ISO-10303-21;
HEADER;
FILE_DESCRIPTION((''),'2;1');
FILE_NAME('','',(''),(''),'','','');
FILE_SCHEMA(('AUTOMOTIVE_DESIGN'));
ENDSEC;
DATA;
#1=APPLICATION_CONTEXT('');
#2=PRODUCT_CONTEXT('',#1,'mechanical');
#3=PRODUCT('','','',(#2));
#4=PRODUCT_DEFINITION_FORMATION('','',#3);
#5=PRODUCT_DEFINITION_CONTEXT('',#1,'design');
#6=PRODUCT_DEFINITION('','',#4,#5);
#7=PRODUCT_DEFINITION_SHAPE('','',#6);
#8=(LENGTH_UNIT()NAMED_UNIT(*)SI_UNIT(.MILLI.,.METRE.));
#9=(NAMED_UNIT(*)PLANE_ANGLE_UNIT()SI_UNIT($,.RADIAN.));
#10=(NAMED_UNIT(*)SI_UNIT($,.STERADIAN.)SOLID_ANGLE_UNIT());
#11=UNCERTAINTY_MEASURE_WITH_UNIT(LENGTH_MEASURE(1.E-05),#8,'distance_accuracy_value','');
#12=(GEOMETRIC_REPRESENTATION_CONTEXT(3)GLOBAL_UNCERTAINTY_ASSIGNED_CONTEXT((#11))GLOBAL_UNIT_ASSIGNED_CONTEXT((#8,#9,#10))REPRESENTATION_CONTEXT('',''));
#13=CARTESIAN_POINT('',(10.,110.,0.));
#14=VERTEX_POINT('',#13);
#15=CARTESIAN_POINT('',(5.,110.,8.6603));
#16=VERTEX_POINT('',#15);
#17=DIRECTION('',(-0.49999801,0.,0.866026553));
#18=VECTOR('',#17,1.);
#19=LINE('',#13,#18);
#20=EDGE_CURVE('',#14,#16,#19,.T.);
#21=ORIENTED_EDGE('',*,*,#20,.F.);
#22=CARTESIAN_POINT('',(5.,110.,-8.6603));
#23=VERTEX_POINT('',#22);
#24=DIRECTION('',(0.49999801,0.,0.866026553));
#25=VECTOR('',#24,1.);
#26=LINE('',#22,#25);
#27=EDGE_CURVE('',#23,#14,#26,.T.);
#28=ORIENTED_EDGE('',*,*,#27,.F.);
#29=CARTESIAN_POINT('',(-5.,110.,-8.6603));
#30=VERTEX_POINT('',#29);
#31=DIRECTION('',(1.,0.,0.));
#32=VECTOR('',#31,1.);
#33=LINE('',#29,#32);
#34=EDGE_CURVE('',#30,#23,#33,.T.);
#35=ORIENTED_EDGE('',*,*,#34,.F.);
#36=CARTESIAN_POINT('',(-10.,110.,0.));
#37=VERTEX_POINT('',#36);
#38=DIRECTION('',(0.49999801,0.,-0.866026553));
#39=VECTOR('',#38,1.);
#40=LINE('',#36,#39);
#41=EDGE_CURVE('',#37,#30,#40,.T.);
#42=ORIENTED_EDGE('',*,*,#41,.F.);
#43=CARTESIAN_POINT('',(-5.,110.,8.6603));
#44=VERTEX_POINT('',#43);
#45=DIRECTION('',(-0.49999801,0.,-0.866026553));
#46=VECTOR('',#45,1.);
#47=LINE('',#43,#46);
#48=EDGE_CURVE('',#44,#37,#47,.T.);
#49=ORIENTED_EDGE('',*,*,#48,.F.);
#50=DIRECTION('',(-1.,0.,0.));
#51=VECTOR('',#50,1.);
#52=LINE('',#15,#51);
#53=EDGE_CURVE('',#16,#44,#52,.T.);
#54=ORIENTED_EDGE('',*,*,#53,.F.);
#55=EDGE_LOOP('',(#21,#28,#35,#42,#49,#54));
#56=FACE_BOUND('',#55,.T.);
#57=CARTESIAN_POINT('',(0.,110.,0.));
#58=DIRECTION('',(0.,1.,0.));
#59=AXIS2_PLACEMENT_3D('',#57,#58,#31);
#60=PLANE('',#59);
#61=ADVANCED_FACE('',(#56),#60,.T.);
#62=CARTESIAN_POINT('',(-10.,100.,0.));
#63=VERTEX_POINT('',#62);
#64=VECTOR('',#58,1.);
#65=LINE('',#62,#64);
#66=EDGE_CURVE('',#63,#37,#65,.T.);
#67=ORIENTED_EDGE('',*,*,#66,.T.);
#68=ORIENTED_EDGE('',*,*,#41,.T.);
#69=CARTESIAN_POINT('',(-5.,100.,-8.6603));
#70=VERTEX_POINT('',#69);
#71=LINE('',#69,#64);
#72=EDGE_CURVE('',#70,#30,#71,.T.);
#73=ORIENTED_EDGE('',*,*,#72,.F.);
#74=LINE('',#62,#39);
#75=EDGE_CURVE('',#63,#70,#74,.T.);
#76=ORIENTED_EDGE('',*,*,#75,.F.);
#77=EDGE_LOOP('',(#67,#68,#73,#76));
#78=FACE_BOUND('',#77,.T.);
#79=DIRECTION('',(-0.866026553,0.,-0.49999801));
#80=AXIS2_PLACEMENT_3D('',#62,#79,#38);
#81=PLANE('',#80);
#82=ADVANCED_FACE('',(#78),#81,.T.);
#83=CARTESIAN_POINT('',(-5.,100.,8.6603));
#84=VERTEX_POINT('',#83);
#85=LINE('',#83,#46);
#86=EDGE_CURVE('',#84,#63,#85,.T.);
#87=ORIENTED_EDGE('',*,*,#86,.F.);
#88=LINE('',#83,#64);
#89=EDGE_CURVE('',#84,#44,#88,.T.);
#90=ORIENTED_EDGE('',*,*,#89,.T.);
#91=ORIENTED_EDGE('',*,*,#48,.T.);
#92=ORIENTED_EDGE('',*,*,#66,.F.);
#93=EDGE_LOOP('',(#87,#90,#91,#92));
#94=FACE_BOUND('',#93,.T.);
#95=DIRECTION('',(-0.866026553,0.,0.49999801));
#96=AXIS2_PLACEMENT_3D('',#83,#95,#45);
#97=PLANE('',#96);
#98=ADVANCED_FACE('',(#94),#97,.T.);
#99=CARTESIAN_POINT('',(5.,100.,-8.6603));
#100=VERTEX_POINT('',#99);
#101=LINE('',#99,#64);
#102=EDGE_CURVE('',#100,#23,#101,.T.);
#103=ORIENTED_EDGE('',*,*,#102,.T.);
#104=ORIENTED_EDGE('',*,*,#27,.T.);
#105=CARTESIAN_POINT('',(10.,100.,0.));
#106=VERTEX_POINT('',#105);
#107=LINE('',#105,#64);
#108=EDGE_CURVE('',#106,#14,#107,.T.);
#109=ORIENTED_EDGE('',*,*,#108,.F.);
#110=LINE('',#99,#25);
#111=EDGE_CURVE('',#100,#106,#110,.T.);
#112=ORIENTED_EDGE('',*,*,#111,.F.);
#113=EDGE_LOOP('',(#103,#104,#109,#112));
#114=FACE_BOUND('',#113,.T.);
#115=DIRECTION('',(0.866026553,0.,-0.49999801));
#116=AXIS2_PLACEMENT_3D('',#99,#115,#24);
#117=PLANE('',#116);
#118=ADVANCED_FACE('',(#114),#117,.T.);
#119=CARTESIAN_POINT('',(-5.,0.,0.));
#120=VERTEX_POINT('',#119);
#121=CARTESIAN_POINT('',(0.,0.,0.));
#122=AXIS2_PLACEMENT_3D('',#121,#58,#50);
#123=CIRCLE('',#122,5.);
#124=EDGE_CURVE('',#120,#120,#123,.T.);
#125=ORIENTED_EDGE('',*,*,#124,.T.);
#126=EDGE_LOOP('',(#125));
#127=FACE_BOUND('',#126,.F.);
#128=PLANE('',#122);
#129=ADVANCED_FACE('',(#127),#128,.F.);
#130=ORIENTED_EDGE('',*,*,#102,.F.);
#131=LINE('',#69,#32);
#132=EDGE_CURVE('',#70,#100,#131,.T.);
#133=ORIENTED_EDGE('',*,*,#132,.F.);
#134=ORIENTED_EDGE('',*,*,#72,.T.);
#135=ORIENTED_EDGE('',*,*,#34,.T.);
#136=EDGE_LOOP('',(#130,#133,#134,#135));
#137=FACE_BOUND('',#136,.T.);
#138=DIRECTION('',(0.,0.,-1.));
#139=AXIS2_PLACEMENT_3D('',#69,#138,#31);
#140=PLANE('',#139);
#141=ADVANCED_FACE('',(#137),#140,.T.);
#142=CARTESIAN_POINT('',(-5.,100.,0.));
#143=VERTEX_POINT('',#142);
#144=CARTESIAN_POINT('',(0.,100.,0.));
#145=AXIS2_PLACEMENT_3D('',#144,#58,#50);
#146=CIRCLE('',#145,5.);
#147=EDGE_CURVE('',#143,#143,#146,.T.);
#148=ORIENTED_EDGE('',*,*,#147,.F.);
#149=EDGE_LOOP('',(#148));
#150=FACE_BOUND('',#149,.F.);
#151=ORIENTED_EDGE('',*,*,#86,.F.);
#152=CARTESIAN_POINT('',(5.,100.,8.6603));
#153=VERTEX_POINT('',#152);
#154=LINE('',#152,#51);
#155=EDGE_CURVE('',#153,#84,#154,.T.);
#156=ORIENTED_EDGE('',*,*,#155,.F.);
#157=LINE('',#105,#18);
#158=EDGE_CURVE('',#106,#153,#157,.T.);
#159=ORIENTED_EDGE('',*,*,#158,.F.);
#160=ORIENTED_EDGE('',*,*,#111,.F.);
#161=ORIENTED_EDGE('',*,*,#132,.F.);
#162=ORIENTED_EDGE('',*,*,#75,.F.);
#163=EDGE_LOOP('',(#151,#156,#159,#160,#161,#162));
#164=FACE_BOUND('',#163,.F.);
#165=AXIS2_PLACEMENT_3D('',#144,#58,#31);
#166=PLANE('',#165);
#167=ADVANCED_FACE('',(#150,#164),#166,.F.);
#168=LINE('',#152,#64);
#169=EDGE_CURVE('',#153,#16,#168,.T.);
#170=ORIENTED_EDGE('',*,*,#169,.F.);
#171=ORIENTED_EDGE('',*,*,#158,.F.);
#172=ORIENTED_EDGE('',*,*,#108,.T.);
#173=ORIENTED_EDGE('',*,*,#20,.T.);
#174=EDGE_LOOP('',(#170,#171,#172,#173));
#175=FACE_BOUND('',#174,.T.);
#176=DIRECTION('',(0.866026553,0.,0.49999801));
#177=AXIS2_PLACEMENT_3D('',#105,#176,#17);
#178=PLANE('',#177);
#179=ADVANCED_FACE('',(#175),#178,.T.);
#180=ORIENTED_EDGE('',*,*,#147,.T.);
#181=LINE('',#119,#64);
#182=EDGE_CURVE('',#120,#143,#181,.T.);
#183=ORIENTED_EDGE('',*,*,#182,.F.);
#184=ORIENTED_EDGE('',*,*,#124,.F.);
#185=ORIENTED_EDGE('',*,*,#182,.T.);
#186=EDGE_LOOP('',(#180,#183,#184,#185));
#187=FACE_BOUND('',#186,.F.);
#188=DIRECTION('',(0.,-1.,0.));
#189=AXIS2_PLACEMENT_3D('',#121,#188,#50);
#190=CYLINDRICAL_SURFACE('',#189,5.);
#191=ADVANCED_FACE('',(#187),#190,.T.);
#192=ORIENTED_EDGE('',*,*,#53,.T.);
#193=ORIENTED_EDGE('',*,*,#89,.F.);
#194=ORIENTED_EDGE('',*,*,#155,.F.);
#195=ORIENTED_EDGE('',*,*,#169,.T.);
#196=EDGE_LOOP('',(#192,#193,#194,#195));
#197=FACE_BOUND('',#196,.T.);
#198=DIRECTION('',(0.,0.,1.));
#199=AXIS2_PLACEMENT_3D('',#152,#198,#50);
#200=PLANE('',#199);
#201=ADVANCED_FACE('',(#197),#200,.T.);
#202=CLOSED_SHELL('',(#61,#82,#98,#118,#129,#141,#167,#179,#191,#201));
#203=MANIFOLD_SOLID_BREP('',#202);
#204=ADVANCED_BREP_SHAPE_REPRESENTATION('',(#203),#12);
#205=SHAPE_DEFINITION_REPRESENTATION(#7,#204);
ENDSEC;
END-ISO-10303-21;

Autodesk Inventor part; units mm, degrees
ref_plane "YZ Plane" through (0, 0, 0) normal (1, 0, 0) x (0, 1, 0)
ref_plane "XZ Plane" through (0, 0, 0) normal (0, 1, 0) x (-1, 0, 0)
ref_plane "XY Plane" through (0, 0, 0) normal (0, 0, 1) x (1, 0, 0)
sketch "Sketch1" plane through (0, 0, 0) normal (0, 1, 0) x (-1, 0, 0)
  circle A0 centre (0, 0) radius 5
  dimension "d0" = 10
extrude "Extrusion1" add sketch "Sketch1" along normal blind 100
thread "Thread1" size "M10x1" class "6g" standard "ISO Metric profile" length 10
sketch "Sketch2" plane through (0, 100, 0) normal (0, 1, 0) x (1, 0, 0)
  circle A0 centre (0, 0) radius 5 projected
  circle A1 centre (0, 0) radius 10 construction
  line L0 (-10, 0) -> (-5, 8.6603)
  line L1 (-5, 8.6603) -> (5, 8.6603)
  line L2 (5, 8.6603) -> (10, 0)
  line L3 (10, 0) -> (5, -8.6603)
  line L4 (5, -8.6603) -> (-5, -8.6603)
  line L5 (-5, -8.6603) -> (-10, 0)
  dimension "d5" = 20
extrude "Extrusion2" add sketch "Sketch2" along normal blind 10 contours A0 | L0 L1 L2 L3 L4 L5
properties part number "BoltA" material "Titanium"
